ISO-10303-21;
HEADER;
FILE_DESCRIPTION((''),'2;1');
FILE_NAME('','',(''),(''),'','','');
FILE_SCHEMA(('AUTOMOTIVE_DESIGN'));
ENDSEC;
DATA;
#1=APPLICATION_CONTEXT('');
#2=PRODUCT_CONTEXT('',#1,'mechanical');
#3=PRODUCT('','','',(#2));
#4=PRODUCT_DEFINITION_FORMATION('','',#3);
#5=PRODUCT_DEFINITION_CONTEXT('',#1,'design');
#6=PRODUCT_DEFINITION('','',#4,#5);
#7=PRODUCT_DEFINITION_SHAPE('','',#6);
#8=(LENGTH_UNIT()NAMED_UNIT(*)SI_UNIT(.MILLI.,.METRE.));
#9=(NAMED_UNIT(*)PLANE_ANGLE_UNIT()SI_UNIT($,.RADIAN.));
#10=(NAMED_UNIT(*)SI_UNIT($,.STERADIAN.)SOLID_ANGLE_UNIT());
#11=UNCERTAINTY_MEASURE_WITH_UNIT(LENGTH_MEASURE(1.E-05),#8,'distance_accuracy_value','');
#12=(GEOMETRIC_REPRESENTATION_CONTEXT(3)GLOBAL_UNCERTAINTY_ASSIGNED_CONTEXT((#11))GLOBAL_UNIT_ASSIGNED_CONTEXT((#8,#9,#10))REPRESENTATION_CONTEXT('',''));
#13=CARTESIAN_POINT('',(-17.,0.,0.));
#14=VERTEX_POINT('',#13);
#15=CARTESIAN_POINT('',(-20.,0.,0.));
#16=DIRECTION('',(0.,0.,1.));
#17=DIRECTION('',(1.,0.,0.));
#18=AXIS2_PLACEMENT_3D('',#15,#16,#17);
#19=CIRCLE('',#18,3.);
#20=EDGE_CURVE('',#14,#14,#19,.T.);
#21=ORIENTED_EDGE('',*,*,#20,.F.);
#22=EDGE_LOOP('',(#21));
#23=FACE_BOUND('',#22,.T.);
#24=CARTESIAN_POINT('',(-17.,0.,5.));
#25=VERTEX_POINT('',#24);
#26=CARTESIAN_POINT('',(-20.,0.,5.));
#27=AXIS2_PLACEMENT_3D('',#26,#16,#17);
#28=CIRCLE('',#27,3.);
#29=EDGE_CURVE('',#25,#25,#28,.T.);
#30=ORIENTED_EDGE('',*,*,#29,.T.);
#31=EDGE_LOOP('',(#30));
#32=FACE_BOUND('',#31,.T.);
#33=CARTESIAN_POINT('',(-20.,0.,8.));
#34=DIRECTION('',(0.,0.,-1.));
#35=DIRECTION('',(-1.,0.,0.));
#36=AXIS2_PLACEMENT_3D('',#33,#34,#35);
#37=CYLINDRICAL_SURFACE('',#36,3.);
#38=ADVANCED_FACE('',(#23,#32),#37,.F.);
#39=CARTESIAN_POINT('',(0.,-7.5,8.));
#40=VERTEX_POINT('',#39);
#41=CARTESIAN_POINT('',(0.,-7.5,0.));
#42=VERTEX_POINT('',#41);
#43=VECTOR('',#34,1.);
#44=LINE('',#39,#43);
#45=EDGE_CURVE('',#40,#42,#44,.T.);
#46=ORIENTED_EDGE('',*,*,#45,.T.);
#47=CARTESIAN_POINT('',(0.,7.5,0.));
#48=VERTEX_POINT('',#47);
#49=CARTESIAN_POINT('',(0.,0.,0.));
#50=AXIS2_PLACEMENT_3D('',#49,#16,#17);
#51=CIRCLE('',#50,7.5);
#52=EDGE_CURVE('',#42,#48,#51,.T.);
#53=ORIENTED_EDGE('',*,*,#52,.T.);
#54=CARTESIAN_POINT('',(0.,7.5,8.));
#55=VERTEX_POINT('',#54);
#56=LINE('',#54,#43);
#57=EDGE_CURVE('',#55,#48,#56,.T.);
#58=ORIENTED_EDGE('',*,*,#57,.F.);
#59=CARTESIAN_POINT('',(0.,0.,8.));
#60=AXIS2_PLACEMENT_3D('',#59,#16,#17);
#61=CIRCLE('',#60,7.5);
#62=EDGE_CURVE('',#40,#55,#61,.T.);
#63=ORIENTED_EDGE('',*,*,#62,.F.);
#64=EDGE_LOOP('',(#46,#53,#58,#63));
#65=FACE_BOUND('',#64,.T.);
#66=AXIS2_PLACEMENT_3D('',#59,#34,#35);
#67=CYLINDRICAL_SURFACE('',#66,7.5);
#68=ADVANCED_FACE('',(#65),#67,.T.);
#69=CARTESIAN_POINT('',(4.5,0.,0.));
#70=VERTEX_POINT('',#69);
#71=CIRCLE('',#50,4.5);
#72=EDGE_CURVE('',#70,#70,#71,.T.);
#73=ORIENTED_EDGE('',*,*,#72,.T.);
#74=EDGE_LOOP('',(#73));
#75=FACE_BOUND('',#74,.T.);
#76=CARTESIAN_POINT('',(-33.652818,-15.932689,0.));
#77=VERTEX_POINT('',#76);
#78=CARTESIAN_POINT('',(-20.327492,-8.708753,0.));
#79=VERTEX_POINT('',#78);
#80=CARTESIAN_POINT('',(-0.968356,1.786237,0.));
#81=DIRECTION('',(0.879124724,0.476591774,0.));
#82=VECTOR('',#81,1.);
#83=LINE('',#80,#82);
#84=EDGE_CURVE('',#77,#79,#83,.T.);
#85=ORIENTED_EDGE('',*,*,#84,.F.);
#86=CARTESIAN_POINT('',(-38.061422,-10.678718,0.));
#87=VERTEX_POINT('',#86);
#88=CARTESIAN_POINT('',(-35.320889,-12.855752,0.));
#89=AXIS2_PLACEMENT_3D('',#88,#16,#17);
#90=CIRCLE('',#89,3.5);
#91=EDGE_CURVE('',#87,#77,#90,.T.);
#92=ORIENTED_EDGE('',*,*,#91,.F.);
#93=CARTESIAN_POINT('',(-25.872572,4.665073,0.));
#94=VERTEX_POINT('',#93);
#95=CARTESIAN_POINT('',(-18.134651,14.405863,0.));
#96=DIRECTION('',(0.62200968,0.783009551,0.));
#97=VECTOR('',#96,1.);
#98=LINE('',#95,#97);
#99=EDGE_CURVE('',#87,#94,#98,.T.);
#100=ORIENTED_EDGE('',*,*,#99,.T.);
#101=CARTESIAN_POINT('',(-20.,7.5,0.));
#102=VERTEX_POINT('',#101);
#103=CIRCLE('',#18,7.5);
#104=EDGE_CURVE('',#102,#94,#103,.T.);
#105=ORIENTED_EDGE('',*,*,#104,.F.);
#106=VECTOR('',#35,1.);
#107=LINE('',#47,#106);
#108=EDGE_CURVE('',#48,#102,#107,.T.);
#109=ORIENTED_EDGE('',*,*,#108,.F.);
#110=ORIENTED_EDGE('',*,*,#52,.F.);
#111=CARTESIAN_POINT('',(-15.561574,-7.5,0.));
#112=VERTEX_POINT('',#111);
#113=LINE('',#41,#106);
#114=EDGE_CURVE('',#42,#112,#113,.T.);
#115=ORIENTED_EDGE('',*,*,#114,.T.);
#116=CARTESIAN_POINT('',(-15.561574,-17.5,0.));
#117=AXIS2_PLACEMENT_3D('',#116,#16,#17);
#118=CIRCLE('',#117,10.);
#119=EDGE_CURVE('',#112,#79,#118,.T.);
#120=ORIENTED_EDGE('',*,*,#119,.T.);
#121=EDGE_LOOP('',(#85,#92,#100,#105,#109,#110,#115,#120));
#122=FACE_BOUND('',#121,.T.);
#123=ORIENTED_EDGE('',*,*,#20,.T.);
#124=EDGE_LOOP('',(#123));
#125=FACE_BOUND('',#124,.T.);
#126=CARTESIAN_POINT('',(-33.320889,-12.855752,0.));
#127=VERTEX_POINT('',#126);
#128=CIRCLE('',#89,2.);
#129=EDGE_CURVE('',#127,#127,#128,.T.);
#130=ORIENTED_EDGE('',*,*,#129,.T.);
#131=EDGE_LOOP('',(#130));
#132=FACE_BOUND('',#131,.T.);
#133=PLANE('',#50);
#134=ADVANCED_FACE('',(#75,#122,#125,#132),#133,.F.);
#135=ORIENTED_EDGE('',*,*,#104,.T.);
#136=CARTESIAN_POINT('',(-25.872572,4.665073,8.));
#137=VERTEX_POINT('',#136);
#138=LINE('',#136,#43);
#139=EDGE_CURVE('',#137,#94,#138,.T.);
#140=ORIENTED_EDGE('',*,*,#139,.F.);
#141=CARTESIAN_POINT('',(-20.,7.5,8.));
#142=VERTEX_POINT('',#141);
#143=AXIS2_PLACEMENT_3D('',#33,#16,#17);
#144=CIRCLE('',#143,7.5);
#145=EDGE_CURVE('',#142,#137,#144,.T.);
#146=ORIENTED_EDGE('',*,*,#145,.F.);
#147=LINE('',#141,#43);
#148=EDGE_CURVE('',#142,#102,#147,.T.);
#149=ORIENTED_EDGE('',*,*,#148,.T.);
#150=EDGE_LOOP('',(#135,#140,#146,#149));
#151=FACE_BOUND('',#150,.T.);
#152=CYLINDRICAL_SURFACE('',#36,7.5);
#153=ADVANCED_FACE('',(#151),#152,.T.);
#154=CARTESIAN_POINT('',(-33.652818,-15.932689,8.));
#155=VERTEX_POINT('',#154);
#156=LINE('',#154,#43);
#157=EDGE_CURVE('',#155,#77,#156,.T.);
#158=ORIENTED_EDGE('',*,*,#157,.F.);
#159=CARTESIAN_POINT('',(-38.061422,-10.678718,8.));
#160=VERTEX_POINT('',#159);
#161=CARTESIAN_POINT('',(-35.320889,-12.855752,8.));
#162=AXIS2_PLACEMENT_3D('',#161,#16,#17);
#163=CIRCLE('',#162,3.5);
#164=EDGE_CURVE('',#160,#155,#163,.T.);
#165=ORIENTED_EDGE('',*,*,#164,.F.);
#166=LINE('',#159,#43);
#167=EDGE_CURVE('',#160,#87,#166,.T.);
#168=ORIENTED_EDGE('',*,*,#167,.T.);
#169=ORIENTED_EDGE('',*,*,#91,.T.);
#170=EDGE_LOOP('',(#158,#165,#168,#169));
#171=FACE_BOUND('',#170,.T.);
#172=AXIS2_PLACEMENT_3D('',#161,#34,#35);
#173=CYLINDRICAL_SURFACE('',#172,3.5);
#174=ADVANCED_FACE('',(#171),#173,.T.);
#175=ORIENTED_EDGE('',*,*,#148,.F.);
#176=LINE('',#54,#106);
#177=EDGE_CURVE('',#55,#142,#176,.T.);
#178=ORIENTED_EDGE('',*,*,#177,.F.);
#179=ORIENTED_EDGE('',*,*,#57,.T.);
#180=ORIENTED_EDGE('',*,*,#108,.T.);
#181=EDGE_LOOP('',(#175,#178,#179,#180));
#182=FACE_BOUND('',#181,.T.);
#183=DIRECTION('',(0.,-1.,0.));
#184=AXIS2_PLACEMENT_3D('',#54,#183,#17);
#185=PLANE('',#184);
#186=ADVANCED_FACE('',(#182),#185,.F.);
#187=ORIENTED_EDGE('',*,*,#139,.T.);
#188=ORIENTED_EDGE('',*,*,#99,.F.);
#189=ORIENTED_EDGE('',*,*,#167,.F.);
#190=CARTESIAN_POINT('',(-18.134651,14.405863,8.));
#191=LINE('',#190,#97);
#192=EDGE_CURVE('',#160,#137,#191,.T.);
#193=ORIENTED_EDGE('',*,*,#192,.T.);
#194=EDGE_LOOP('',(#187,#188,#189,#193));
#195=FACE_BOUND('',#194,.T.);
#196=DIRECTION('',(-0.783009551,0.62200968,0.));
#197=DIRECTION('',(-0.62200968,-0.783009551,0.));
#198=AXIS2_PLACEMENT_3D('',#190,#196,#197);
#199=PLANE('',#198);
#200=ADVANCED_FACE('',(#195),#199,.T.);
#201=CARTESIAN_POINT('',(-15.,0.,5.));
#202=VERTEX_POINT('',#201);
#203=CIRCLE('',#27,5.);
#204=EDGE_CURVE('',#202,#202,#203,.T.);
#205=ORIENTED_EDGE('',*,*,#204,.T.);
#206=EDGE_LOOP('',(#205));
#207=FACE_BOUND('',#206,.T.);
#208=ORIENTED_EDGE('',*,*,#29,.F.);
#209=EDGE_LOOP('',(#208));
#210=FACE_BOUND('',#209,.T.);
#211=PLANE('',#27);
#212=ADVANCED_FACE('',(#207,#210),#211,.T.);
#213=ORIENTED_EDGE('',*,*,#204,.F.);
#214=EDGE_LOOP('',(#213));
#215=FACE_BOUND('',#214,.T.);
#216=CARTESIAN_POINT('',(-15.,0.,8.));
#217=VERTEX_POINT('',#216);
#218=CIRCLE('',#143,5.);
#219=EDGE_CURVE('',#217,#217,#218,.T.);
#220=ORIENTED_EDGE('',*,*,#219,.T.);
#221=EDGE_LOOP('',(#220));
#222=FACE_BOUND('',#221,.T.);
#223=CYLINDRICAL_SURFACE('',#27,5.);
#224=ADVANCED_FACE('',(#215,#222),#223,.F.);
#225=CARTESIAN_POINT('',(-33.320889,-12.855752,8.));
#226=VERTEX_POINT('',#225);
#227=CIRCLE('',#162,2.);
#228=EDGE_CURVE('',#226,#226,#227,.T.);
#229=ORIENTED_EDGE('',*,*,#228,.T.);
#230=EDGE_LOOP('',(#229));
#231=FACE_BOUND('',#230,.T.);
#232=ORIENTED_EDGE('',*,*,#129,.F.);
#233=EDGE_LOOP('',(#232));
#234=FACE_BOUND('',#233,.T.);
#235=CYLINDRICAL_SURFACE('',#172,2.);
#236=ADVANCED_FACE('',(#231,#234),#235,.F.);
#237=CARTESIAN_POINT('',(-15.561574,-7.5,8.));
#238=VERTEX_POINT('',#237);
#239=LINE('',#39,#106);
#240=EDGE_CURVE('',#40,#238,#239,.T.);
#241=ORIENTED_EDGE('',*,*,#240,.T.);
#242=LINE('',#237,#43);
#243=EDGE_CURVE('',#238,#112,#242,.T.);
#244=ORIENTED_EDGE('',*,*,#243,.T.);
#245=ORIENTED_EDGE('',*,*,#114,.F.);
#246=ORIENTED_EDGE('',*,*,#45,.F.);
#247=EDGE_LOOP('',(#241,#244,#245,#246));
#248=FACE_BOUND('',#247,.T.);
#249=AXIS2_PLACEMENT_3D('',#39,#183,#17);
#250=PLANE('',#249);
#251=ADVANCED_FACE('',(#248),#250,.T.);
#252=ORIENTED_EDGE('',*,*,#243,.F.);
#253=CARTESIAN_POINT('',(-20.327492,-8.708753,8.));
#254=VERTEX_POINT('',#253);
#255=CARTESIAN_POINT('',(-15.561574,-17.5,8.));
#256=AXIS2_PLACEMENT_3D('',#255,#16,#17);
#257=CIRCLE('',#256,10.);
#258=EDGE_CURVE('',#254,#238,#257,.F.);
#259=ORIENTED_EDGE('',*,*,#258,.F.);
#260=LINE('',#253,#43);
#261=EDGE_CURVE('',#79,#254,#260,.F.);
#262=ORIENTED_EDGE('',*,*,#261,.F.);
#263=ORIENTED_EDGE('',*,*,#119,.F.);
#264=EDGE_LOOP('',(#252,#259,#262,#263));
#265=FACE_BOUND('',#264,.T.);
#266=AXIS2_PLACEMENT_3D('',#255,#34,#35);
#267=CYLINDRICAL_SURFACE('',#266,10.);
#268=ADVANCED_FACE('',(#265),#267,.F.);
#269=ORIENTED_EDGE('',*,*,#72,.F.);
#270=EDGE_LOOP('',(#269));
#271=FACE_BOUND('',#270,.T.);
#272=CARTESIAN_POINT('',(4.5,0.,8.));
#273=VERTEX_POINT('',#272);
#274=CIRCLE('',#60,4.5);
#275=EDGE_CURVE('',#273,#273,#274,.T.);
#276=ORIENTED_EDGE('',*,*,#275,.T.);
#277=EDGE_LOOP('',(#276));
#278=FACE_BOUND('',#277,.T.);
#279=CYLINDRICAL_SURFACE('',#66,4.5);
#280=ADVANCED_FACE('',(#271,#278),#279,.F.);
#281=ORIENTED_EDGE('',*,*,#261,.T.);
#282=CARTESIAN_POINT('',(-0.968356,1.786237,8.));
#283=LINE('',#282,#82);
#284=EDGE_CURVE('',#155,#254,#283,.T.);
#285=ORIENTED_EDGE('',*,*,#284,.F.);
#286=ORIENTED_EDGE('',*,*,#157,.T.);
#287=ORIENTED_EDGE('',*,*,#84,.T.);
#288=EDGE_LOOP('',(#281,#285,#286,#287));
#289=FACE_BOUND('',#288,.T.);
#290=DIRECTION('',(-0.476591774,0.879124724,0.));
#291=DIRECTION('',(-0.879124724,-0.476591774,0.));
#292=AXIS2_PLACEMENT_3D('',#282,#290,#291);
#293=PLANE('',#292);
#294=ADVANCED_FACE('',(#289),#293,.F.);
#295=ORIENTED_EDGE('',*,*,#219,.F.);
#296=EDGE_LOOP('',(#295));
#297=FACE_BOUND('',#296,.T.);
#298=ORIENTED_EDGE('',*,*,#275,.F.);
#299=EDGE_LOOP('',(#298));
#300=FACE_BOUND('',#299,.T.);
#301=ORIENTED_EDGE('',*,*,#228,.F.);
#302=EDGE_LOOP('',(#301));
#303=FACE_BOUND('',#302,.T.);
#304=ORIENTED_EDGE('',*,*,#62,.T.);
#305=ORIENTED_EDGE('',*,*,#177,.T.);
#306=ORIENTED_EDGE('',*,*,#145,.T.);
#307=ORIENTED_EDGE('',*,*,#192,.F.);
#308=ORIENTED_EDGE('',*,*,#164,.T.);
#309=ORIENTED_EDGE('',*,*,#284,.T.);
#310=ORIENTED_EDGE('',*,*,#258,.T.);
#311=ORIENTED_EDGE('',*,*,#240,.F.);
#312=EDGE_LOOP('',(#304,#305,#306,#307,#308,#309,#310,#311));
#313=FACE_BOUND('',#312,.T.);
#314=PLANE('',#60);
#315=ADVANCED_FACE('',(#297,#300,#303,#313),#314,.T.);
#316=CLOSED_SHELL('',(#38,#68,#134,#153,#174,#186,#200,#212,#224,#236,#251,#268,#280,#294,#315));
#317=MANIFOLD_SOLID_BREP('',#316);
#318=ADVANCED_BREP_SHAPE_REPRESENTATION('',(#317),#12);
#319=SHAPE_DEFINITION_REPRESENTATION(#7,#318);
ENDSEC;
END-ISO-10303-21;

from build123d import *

# Parameters (mm, degrees)
SKETCH_1_R          = 3.5
SKETCH_1_R_2        = 2
SKETCH_1_R_3        = 7.5
SKETCH_1_R_4        = 3
SKETCH_1_R_5        = 4.5
EXTRUDE_1_DEPTH     = 8
FILLET_1_R          = 10
SKETCH_2_R          = 5
CUT_EXTRUDE_1_DEPTH = 3


with BuildPart() as part:
    # Эскиз1 → Бобышка-Вытянуть1 (new body)
    # profile 1 of 6: a face of its own
    with BuildSketch(Plane.XY):
        with Locations((-35.320888862, -12.855752194)):
            Circle(SKETCH_1_R)
        with Locations((-35.320888862, -12.855752194)):
            Circle(SKETCH_1_R_2, mode=Mode.SUBTRACT)
    # profile 2 of 6: a face of its own
    with BuildSketch(Plane.XY):
        with BuildLine():
            ThreePointArc((-20, -7.5), (-26.754185537, -3.260518017), (-25.872571635, 4.665072603))
            Line((-25.872571635, 4.665072603), (-38.061422292, -10.678718312))
            ThreePointArc((-38.061422292, -10.678718312), (-34.168037398, -9.551068623), (-31.820888862, -12.855752194))
            ThreePointArc((-31.820888862, -12.855752194), (-32.313543751, -14.646248042), (-33.652817653, -15.932688729))
            Line((-33.652817653, -15.932688729), (-18.097817426, -7.5))
            Line((-18.097817426, -7.5), (-20, -7.5))
        make_face()
    # profile 3 of 6: a face of its own
    with BuildSketch(Plane.XY):
        with Locations((-20, 0)):
            Circle(SKETCH_1_R_3)
        with Locations((-20, 0)):
            Circle(SKETCH_1_R_4, mode=Mode.SUBTRACT)
    # profile 4 of 6: a face of its own
    with BuildSketch(Plane.XY):
        with BuildLine():
            Line((-20, -7.5), (-18.097817426, -7.5))
            Line((-18.097817426, -7.5), (-16.425561695, -6.593435432))
            ThreePointArc((-16.425561695, -6.593435432), (-18.156194932, -7.26982688), (-20, -7.5))
        make_face()
    # profile 5 of 6: a face of its own
    with BuildSketch(Plane.XY):
        with BuildLine():
            ThreePointArc((0, -7.5), (-7.5, 0), (0, 7.5))
            Line((0, 7.5), (-20, 7.5))
            ThreePointArc((-20, 7.5), (-14.696699141, 5.303300859), (-12.5, 0))
            ThreePointArc((-12.5, 0), (-13.555689048, -3.836776818), (-16.425561695, -6.593435432))
            Line((-16.425561695, -6.593435432), (-18.097817426, -7.5))
            Line((-18.097817426, -7.5), (0, -7.5))
        make_face()
    # profile 6 of 6: a face of its own
    with BuildSketch(Plane.XY):
        Circle(SKETCH_1_R_3)
        Circle(SKETCH_1_R_5, mode=Mode.SUBTRACT)
    extrude(amount=EXTRUDE_1_DEPTH)

    # Скругление1
    fillet_1_edges = [part.edges().sort_by_distance(p)[0] for p in [
        (-18.097817426, -7.5, 4),
    ]]
    fillet(fillet_1_edges, radius=FILLET_1_R)

    # Эскиз2 → Вырез-Вытянуть1 (cut)
    with BuildSketch(Plane.XY.offset(8)):
        with Locations((-20, 0)):
            Circle(SKETCH_2_R)
    extrude(amount=-CUT_EXTRUDE_1_DEPTH, mode=Mode.SUBTRACT)


solid = part.part
